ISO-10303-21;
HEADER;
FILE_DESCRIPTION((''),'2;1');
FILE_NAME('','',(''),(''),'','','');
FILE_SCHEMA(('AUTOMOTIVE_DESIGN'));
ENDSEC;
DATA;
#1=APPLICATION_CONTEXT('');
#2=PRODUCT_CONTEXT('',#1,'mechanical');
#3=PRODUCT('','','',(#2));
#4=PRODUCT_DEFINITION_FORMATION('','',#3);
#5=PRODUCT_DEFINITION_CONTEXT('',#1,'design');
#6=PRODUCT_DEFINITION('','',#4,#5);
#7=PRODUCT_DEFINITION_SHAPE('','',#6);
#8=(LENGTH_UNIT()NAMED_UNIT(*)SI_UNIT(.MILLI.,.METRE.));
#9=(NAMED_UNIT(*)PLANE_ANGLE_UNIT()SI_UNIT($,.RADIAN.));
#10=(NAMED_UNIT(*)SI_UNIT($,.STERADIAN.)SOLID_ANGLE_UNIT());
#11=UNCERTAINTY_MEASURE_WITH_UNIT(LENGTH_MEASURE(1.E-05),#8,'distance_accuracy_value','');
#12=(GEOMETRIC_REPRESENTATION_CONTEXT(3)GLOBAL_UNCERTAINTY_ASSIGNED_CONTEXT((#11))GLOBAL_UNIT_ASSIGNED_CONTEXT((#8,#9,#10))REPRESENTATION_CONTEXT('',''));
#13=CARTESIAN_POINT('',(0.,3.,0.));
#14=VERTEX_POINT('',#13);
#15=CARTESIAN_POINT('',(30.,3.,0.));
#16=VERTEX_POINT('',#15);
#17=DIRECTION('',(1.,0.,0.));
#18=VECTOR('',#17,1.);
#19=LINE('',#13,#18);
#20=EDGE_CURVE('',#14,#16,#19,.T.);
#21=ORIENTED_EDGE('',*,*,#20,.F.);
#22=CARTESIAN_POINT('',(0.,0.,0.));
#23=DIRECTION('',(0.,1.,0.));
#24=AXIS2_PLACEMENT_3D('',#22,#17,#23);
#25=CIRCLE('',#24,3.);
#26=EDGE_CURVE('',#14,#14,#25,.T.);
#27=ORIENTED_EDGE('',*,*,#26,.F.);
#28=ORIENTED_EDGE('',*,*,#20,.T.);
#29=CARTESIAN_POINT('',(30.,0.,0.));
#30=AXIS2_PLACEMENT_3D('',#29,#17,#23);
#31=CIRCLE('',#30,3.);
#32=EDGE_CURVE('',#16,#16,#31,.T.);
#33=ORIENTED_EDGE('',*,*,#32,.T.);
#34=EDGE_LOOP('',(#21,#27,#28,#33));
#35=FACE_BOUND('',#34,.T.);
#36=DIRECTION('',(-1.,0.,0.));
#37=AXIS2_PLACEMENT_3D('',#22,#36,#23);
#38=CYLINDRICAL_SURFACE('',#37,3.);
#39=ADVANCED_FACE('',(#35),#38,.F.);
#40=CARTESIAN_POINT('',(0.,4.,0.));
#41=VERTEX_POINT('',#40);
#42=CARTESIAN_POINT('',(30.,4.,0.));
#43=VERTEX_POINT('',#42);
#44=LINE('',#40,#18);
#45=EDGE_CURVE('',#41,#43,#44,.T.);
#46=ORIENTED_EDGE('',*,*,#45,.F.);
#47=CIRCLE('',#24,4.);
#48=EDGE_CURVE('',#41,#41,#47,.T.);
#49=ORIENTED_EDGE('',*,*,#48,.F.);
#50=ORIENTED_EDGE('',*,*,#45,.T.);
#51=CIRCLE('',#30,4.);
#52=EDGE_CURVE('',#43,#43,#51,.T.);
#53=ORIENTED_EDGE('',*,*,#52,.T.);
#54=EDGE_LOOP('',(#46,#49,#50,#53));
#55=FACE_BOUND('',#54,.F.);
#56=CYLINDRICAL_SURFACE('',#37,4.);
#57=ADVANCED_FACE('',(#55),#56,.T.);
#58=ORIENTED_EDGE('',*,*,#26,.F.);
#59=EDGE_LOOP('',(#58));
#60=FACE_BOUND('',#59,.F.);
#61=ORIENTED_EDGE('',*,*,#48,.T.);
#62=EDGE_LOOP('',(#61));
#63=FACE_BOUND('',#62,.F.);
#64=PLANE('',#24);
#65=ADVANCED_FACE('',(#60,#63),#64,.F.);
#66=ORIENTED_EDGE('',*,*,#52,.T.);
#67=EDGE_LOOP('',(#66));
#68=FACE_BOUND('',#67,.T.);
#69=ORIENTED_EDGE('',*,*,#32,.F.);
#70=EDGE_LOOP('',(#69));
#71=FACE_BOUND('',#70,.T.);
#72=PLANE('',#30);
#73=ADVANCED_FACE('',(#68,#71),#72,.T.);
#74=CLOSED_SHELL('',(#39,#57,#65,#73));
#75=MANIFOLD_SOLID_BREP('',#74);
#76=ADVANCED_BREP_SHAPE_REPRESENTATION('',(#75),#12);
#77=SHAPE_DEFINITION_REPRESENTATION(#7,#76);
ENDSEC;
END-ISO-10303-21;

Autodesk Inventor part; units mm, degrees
ref_plane "YZ Plane" through (0, 0, 0) normal (1, 0, 0) x (0, 1, 0)
ref_plane "XZ Plane" through (0, 0, 0) normal (0, 1, 0) x (-1, 0, 0)
ref_plane "XY Plane" through (0, 0, 0) normal (0, 0, 1) x (1, 0, 0)
sketch "スケッチ1" plane through (0, 0, 0) normal (1, 0, 0) x (0, 1, 0)
  circle A0 centre (0, 0) radius 3
  circle A1 centre (0, 0) radius 4
  dimension "d0" = 6
  dimension "d1" = 8
extrude "押し出し1" add sketch "スケッチ1" along normal blind 30
properties part number "pillar" material "ステンレス鋼"
